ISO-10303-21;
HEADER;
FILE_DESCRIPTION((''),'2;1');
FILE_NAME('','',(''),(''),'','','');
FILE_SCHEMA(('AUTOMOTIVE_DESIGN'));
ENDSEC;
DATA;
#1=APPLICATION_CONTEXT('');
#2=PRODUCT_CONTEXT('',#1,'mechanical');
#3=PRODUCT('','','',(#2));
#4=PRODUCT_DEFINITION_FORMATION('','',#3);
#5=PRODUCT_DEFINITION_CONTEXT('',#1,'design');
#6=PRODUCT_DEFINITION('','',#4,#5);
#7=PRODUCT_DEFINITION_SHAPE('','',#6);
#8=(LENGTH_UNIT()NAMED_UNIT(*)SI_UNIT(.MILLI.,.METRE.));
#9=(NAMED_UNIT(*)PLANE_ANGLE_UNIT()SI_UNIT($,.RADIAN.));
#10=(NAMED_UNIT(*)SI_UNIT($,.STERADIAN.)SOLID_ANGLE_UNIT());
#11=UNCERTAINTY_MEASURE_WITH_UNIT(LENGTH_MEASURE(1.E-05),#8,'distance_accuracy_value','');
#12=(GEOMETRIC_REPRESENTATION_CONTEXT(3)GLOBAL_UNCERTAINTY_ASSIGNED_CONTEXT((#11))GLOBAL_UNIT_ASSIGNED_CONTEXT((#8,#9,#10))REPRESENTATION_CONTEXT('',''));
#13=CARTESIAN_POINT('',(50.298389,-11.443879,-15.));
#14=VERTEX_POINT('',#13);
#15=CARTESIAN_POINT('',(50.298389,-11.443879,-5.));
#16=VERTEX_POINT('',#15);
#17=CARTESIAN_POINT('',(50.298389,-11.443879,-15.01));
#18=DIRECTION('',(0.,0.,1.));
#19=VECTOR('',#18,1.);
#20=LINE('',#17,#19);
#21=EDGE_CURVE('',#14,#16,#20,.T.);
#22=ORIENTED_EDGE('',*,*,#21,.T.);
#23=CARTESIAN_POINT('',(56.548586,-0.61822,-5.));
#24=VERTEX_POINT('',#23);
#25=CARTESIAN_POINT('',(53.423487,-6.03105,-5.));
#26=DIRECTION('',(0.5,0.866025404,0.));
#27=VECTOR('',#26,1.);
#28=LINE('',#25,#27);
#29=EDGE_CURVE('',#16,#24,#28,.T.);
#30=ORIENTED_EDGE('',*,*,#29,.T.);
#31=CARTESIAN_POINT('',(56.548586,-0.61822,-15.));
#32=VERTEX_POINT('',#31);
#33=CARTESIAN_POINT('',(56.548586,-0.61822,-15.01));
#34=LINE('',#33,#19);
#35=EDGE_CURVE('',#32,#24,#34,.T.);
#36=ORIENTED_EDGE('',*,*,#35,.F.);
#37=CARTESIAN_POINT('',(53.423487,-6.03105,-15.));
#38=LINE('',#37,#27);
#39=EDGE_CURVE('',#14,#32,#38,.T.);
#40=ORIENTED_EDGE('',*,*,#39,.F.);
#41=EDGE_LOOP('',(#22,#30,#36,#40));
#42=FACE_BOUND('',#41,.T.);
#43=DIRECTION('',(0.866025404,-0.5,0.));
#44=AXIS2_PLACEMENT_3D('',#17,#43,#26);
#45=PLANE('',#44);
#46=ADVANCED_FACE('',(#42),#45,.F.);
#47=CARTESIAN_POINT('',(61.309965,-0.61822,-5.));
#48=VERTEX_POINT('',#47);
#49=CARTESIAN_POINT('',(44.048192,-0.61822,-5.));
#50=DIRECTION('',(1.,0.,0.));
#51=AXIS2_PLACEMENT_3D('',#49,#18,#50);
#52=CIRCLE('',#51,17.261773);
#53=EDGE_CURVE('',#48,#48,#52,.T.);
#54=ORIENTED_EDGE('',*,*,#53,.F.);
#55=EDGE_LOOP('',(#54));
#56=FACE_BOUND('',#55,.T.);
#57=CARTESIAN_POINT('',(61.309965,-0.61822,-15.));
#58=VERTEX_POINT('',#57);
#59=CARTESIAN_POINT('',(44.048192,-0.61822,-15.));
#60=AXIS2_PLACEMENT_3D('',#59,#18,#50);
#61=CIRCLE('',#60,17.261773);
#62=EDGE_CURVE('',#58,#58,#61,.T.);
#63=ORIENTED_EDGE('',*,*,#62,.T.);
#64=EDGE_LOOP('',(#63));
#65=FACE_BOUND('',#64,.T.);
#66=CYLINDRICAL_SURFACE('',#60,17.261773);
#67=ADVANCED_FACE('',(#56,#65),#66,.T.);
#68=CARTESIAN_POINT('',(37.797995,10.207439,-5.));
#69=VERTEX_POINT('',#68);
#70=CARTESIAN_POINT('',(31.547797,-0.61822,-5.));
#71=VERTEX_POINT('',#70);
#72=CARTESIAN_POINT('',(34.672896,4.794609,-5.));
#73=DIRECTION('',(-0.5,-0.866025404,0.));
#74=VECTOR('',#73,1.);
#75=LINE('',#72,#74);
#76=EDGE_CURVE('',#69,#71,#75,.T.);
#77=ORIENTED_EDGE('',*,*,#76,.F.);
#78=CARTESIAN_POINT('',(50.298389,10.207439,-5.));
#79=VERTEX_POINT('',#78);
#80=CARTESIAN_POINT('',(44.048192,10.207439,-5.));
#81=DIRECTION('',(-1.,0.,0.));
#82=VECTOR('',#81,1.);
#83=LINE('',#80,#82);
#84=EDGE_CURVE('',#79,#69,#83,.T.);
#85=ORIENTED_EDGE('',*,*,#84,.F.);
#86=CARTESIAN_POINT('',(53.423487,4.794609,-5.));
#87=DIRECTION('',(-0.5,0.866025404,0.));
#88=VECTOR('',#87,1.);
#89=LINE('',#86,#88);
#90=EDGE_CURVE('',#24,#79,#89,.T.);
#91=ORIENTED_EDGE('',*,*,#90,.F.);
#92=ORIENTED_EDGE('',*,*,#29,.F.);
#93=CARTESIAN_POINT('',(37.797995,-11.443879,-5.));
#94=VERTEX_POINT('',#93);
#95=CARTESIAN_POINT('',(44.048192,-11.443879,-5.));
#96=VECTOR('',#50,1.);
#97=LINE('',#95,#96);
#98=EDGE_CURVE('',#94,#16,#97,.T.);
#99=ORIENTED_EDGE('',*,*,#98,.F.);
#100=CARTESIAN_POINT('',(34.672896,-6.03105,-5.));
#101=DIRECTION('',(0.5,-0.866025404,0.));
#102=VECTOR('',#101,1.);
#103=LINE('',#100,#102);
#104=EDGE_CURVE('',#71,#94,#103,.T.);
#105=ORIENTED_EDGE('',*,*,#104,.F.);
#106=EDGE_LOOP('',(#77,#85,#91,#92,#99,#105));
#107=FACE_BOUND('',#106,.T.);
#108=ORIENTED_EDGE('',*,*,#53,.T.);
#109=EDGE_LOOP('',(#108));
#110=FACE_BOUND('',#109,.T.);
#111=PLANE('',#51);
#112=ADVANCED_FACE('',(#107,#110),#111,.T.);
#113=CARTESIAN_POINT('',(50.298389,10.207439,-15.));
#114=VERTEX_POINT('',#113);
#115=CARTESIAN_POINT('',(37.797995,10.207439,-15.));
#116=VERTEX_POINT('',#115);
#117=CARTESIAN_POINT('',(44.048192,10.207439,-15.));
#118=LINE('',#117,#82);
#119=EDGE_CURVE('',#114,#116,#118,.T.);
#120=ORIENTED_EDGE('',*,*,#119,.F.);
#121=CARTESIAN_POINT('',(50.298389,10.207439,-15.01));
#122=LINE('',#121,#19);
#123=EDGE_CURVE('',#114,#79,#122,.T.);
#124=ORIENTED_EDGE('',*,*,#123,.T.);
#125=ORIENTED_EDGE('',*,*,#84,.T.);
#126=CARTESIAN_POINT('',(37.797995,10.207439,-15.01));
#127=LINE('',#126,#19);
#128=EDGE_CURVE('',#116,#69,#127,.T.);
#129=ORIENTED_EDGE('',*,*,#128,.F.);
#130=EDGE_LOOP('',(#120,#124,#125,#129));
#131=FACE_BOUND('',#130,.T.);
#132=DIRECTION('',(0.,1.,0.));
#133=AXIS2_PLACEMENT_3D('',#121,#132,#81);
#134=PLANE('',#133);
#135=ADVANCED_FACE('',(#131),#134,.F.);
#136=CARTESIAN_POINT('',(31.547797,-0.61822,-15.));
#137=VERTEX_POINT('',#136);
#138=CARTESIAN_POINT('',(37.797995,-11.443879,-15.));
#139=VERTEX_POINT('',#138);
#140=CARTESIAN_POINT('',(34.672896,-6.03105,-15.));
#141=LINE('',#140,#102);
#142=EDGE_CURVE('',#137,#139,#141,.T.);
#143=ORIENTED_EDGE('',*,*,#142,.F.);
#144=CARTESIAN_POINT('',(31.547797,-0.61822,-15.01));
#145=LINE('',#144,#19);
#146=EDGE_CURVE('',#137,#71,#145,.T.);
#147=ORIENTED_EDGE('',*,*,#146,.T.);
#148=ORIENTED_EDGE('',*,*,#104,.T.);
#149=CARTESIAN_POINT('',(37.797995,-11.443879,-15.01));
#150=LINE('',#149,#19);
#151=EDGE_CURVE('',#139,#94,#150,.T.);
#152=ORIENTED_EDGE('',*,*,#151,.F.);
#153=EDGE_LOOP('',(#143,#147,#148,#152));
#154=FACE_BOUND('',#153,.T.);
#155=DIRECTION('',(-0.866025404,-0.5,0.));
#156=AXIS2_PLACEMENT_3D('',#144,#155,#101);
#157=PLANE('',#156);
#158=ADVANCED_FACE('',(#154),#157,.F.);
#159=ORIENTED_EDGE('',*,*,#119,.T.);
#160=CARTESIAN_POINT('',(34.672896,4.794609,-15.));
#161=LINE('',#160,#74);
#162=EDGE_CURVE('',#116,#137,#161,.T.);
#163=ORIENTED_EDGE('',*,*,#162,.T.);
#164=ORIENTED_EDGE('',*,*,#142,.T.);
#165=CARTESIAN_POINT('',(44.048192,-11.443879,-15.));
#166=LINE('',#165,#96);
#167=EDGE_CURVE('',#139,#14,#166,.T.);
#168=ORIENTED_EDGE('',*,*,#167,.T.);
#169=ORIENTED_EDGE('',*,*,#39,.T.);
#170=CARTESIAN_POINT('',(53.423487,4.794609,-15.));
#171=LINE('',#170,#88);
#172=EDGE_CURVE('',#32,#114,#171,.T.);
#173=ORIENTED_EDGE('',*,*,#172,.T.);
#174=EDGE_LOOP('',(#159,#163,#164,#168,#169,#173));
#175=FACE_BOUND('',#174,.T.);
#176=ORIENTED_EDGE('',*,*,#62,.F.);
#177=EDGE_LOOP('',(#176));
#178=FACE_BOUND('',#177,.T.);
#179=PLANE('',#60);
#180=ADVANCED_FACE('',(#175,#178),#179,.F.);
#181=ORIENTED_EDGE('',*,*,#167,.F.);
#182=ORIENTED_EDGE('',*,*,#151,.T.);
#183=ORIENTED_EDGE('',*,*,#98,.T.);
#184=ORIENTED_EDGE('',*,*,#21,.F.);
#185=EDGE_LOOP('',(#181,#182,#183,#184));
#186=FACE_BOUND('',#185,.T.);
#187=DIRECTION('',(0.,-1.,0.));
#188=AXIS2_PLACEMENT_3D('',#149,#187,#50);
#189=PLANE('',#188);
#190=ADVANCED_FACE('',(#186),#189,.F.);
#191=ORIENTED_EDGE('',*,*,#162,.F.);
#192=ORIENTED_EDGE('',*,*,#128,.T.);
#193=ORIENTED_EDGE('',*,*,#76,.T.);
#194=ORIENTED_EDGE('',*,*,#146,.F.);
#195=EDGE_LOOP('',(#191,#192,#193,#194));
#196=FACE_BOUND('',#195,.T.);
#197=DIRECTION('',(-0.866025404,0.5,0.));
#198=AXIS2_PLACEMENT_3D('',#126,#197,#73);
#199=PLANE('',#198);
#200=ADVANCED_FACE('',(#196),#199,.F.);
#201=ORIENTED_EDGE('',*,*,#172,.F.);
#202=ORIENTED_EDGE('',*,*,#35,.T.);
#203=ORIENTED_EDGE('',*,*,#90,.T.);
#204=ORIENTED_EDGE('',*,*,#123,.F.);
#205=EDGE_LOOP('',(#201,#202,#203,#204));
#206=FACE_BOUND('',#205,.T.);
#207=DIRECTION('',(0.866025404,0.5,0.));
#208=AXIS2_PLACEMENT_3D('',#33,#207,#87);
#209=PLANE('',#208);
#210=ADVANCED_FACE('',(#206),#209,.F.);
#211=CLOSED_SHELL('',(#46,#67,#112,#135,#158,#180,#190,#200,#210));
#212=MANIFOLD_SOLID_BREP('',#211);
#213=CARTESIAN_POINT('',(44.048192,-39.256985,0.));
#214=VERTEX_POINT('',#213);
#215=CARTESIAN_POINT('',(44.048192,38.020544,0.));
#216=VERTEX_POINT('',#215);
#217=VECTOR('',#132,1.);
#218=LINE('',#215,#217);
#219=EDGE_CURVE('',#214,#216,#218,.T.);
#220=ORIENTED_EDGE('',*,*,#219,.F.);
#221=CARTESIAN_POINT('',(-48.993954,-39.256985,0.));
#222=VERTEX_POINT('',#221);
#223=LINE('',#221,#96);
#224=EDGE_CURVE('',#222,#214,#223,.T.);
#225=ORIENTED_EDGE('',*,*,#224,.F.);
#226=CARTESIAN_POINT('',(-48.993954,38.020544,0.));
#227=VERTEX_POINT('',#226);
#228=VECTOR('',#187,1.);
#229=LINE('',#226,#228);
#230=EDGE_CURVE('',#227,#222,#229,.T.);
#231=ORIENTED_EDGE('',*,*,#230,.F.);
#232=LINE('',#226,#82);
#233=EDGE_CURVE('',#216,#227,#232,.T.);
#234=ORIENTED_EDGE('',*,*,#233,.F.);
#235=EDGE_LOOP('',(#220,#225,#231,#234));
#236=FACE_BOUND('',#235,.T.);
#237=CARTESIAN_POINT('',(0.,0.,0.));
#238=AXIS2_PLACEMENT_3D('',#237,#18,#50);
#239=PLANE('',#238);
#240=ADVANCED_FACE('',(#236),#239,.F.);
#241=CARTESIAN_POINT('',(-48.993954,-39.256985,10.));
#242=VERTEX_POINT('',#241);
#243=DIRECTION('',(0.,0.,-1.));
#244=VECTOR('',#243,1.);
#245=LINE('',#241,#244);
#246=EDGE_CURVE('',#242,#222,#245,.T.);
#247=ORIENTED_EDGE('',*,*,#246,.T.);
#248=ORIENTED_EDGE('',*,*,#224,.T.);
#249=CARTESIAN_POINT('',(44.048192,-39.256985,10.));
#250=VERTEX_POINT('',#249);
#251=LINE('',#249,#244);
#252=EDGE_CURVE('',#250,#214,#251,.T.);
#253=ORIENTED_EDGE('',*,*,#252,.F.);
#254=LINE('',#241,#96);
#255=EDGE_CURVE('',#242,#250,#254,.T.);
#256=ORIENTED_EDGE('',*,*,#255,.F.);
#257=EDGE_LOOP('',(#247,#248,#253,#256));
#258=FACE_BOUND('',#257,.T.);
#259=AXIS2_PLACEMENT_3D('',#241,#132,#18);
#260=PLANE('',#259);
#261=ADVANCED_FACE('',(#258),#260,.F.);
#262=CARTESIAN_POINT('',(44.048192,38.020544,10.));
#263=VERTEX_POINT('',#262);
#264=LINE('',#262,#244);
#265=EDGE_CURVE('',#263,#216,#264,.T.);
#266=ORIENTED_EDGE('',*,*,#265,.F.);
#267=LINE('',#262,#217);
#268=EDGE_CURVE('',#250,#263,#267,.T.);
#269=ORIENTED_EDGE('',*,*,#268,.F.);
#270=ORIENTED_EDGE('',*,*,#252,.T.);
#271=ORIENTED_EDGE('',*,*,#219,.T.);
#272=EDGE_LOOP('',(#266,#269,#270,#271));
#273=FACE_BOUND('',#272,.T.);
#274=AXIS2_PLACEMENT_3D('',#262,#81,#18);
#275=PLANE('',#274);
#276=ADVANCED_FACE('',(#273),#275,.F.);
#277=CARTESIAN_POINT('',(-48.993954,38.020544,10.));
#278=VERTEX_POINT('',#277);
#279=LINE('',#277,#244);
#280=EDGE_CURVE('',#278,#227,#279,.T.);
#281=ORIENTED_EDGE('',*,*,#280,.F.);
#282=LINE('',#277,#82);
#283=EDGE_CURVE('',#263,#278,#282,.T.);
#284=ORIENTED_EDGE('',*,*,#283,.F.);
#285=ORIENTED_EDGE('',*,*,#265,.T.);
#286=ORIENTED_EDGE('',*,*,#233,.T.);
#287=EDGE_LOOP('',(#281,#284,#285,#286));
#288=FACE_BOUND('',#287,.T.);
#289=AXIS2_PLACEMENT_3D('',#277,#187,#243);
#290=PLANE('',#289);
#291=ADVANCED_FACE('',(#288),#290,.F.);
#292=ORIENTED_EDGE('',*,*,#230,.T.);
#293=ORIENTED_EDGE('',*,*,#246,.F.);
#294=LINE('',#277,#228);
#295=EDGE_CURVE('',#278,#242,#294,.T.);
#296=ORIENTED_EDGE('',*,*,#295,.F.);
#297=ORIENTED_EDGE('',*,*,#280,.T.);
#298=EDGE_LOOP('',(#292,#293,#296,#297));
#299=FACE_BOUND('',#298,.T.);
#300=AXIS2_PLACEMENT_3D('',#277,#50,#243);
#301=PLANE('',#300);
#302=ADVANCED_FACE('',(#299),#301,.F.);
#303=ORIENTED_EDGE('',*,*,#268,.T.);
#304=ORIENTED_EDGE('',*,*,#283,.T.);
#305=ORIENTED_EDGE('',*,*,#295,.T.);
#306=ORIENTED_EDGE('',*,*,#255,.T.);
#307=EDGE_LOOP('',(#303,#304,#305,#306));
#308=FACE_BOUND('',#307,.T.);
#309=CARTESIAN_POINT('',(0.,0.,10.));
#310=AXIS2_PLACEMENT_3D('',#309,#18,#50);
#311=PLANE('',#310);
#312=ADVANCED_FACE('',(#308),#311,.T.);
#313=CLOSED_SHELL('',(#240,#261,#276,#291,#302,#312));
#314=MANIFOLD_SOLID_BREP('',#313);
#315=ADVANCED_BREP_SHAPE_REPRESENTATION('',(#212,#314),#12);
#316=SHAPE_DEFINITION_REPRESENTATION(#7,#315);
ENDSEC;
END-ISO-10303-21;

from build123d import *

# Parameters (mm, degrees)
F_1_FR_W                       = 93.042145165
F_1_FR_H                       = 77.277529207
EXTRUDE_1_DEPTH                = 10
SKETCH_5_R                     = 17.261773312
EXTRUDE_2_DEPTH                = 10
SPLIT_BODIES_1_SURFACE_1_BACK  = 137.981
SPLIT_BODIES_1_SURFACE_1_DEPTH = 275.962


with BuildPart() as part:
    # Эскиз1_fr → Бобышка-Вытянуть1 (new body)
    with BuildSketch(Plane.XY):
        with Locations((-2.472880935, -0.618220234)):
            Rectangle(F_1_FR_W, F_1_FR_H)
    extrude(amount=EXTRUDE_1_DEPTH)


with BuildPart() as body_2:
    # Эскиз5 → Бобышка-Вытянуть2 (new body)
    with BuildSketch(Plane.XY.offset(-5)):
        with Locations((44.048191648, -0.618220234)):
            Circle(SKETCH_5_R)
    extrude(amount=-EXTRUDE_2_DEPTH)

    # Split Bodies 1: cut with a surface, the side behind it stays
    # Split Bodies 1 surface: a surface, the sketch's curves swept straight by 275.962 mm
    with BuildLine(Plane.XY.offset(20).offset(-SPLIT_BODIES_1_SURFACE_1_BACK), mode=Mode.PRIVATE) as split_bodies_1_surface_1_path:
        Line((50.298388751, -11.443879173), (56.548585854, -0.618220234))
        Line((56.548585854, -0.618220234), (50.298388751, 10.207438706))
        Line((50.298388751, 10.207438706), (37.797994545, 10.207438706))
        Line((37.797994545, 10.207438706), (31.547797442, -0.618220234))
        Line((31.547797442, -0.618220234), (37.797994545, -11.443879173))
        Line((37.797994545, -11.443879173), (50.298388751, -11.443879173))
    split_bodies_1_surface_1 = Shell.extrude(split_bodies_1_surface_1_path.wire(), (0 * SPLIT_BODIES_1_SURFACE_1_DEPTH, 0 * SPLIT_BODIES_1_SURFACE_1_DEPTH, 1 * SPLIT_BODIES_1_SURFACE_1_DEPTH))
    split(bisect_by=split_bodies_1_surface_1, keep=Keep.BOTTOM)


solid = Compound([part.part, body_2.part])
